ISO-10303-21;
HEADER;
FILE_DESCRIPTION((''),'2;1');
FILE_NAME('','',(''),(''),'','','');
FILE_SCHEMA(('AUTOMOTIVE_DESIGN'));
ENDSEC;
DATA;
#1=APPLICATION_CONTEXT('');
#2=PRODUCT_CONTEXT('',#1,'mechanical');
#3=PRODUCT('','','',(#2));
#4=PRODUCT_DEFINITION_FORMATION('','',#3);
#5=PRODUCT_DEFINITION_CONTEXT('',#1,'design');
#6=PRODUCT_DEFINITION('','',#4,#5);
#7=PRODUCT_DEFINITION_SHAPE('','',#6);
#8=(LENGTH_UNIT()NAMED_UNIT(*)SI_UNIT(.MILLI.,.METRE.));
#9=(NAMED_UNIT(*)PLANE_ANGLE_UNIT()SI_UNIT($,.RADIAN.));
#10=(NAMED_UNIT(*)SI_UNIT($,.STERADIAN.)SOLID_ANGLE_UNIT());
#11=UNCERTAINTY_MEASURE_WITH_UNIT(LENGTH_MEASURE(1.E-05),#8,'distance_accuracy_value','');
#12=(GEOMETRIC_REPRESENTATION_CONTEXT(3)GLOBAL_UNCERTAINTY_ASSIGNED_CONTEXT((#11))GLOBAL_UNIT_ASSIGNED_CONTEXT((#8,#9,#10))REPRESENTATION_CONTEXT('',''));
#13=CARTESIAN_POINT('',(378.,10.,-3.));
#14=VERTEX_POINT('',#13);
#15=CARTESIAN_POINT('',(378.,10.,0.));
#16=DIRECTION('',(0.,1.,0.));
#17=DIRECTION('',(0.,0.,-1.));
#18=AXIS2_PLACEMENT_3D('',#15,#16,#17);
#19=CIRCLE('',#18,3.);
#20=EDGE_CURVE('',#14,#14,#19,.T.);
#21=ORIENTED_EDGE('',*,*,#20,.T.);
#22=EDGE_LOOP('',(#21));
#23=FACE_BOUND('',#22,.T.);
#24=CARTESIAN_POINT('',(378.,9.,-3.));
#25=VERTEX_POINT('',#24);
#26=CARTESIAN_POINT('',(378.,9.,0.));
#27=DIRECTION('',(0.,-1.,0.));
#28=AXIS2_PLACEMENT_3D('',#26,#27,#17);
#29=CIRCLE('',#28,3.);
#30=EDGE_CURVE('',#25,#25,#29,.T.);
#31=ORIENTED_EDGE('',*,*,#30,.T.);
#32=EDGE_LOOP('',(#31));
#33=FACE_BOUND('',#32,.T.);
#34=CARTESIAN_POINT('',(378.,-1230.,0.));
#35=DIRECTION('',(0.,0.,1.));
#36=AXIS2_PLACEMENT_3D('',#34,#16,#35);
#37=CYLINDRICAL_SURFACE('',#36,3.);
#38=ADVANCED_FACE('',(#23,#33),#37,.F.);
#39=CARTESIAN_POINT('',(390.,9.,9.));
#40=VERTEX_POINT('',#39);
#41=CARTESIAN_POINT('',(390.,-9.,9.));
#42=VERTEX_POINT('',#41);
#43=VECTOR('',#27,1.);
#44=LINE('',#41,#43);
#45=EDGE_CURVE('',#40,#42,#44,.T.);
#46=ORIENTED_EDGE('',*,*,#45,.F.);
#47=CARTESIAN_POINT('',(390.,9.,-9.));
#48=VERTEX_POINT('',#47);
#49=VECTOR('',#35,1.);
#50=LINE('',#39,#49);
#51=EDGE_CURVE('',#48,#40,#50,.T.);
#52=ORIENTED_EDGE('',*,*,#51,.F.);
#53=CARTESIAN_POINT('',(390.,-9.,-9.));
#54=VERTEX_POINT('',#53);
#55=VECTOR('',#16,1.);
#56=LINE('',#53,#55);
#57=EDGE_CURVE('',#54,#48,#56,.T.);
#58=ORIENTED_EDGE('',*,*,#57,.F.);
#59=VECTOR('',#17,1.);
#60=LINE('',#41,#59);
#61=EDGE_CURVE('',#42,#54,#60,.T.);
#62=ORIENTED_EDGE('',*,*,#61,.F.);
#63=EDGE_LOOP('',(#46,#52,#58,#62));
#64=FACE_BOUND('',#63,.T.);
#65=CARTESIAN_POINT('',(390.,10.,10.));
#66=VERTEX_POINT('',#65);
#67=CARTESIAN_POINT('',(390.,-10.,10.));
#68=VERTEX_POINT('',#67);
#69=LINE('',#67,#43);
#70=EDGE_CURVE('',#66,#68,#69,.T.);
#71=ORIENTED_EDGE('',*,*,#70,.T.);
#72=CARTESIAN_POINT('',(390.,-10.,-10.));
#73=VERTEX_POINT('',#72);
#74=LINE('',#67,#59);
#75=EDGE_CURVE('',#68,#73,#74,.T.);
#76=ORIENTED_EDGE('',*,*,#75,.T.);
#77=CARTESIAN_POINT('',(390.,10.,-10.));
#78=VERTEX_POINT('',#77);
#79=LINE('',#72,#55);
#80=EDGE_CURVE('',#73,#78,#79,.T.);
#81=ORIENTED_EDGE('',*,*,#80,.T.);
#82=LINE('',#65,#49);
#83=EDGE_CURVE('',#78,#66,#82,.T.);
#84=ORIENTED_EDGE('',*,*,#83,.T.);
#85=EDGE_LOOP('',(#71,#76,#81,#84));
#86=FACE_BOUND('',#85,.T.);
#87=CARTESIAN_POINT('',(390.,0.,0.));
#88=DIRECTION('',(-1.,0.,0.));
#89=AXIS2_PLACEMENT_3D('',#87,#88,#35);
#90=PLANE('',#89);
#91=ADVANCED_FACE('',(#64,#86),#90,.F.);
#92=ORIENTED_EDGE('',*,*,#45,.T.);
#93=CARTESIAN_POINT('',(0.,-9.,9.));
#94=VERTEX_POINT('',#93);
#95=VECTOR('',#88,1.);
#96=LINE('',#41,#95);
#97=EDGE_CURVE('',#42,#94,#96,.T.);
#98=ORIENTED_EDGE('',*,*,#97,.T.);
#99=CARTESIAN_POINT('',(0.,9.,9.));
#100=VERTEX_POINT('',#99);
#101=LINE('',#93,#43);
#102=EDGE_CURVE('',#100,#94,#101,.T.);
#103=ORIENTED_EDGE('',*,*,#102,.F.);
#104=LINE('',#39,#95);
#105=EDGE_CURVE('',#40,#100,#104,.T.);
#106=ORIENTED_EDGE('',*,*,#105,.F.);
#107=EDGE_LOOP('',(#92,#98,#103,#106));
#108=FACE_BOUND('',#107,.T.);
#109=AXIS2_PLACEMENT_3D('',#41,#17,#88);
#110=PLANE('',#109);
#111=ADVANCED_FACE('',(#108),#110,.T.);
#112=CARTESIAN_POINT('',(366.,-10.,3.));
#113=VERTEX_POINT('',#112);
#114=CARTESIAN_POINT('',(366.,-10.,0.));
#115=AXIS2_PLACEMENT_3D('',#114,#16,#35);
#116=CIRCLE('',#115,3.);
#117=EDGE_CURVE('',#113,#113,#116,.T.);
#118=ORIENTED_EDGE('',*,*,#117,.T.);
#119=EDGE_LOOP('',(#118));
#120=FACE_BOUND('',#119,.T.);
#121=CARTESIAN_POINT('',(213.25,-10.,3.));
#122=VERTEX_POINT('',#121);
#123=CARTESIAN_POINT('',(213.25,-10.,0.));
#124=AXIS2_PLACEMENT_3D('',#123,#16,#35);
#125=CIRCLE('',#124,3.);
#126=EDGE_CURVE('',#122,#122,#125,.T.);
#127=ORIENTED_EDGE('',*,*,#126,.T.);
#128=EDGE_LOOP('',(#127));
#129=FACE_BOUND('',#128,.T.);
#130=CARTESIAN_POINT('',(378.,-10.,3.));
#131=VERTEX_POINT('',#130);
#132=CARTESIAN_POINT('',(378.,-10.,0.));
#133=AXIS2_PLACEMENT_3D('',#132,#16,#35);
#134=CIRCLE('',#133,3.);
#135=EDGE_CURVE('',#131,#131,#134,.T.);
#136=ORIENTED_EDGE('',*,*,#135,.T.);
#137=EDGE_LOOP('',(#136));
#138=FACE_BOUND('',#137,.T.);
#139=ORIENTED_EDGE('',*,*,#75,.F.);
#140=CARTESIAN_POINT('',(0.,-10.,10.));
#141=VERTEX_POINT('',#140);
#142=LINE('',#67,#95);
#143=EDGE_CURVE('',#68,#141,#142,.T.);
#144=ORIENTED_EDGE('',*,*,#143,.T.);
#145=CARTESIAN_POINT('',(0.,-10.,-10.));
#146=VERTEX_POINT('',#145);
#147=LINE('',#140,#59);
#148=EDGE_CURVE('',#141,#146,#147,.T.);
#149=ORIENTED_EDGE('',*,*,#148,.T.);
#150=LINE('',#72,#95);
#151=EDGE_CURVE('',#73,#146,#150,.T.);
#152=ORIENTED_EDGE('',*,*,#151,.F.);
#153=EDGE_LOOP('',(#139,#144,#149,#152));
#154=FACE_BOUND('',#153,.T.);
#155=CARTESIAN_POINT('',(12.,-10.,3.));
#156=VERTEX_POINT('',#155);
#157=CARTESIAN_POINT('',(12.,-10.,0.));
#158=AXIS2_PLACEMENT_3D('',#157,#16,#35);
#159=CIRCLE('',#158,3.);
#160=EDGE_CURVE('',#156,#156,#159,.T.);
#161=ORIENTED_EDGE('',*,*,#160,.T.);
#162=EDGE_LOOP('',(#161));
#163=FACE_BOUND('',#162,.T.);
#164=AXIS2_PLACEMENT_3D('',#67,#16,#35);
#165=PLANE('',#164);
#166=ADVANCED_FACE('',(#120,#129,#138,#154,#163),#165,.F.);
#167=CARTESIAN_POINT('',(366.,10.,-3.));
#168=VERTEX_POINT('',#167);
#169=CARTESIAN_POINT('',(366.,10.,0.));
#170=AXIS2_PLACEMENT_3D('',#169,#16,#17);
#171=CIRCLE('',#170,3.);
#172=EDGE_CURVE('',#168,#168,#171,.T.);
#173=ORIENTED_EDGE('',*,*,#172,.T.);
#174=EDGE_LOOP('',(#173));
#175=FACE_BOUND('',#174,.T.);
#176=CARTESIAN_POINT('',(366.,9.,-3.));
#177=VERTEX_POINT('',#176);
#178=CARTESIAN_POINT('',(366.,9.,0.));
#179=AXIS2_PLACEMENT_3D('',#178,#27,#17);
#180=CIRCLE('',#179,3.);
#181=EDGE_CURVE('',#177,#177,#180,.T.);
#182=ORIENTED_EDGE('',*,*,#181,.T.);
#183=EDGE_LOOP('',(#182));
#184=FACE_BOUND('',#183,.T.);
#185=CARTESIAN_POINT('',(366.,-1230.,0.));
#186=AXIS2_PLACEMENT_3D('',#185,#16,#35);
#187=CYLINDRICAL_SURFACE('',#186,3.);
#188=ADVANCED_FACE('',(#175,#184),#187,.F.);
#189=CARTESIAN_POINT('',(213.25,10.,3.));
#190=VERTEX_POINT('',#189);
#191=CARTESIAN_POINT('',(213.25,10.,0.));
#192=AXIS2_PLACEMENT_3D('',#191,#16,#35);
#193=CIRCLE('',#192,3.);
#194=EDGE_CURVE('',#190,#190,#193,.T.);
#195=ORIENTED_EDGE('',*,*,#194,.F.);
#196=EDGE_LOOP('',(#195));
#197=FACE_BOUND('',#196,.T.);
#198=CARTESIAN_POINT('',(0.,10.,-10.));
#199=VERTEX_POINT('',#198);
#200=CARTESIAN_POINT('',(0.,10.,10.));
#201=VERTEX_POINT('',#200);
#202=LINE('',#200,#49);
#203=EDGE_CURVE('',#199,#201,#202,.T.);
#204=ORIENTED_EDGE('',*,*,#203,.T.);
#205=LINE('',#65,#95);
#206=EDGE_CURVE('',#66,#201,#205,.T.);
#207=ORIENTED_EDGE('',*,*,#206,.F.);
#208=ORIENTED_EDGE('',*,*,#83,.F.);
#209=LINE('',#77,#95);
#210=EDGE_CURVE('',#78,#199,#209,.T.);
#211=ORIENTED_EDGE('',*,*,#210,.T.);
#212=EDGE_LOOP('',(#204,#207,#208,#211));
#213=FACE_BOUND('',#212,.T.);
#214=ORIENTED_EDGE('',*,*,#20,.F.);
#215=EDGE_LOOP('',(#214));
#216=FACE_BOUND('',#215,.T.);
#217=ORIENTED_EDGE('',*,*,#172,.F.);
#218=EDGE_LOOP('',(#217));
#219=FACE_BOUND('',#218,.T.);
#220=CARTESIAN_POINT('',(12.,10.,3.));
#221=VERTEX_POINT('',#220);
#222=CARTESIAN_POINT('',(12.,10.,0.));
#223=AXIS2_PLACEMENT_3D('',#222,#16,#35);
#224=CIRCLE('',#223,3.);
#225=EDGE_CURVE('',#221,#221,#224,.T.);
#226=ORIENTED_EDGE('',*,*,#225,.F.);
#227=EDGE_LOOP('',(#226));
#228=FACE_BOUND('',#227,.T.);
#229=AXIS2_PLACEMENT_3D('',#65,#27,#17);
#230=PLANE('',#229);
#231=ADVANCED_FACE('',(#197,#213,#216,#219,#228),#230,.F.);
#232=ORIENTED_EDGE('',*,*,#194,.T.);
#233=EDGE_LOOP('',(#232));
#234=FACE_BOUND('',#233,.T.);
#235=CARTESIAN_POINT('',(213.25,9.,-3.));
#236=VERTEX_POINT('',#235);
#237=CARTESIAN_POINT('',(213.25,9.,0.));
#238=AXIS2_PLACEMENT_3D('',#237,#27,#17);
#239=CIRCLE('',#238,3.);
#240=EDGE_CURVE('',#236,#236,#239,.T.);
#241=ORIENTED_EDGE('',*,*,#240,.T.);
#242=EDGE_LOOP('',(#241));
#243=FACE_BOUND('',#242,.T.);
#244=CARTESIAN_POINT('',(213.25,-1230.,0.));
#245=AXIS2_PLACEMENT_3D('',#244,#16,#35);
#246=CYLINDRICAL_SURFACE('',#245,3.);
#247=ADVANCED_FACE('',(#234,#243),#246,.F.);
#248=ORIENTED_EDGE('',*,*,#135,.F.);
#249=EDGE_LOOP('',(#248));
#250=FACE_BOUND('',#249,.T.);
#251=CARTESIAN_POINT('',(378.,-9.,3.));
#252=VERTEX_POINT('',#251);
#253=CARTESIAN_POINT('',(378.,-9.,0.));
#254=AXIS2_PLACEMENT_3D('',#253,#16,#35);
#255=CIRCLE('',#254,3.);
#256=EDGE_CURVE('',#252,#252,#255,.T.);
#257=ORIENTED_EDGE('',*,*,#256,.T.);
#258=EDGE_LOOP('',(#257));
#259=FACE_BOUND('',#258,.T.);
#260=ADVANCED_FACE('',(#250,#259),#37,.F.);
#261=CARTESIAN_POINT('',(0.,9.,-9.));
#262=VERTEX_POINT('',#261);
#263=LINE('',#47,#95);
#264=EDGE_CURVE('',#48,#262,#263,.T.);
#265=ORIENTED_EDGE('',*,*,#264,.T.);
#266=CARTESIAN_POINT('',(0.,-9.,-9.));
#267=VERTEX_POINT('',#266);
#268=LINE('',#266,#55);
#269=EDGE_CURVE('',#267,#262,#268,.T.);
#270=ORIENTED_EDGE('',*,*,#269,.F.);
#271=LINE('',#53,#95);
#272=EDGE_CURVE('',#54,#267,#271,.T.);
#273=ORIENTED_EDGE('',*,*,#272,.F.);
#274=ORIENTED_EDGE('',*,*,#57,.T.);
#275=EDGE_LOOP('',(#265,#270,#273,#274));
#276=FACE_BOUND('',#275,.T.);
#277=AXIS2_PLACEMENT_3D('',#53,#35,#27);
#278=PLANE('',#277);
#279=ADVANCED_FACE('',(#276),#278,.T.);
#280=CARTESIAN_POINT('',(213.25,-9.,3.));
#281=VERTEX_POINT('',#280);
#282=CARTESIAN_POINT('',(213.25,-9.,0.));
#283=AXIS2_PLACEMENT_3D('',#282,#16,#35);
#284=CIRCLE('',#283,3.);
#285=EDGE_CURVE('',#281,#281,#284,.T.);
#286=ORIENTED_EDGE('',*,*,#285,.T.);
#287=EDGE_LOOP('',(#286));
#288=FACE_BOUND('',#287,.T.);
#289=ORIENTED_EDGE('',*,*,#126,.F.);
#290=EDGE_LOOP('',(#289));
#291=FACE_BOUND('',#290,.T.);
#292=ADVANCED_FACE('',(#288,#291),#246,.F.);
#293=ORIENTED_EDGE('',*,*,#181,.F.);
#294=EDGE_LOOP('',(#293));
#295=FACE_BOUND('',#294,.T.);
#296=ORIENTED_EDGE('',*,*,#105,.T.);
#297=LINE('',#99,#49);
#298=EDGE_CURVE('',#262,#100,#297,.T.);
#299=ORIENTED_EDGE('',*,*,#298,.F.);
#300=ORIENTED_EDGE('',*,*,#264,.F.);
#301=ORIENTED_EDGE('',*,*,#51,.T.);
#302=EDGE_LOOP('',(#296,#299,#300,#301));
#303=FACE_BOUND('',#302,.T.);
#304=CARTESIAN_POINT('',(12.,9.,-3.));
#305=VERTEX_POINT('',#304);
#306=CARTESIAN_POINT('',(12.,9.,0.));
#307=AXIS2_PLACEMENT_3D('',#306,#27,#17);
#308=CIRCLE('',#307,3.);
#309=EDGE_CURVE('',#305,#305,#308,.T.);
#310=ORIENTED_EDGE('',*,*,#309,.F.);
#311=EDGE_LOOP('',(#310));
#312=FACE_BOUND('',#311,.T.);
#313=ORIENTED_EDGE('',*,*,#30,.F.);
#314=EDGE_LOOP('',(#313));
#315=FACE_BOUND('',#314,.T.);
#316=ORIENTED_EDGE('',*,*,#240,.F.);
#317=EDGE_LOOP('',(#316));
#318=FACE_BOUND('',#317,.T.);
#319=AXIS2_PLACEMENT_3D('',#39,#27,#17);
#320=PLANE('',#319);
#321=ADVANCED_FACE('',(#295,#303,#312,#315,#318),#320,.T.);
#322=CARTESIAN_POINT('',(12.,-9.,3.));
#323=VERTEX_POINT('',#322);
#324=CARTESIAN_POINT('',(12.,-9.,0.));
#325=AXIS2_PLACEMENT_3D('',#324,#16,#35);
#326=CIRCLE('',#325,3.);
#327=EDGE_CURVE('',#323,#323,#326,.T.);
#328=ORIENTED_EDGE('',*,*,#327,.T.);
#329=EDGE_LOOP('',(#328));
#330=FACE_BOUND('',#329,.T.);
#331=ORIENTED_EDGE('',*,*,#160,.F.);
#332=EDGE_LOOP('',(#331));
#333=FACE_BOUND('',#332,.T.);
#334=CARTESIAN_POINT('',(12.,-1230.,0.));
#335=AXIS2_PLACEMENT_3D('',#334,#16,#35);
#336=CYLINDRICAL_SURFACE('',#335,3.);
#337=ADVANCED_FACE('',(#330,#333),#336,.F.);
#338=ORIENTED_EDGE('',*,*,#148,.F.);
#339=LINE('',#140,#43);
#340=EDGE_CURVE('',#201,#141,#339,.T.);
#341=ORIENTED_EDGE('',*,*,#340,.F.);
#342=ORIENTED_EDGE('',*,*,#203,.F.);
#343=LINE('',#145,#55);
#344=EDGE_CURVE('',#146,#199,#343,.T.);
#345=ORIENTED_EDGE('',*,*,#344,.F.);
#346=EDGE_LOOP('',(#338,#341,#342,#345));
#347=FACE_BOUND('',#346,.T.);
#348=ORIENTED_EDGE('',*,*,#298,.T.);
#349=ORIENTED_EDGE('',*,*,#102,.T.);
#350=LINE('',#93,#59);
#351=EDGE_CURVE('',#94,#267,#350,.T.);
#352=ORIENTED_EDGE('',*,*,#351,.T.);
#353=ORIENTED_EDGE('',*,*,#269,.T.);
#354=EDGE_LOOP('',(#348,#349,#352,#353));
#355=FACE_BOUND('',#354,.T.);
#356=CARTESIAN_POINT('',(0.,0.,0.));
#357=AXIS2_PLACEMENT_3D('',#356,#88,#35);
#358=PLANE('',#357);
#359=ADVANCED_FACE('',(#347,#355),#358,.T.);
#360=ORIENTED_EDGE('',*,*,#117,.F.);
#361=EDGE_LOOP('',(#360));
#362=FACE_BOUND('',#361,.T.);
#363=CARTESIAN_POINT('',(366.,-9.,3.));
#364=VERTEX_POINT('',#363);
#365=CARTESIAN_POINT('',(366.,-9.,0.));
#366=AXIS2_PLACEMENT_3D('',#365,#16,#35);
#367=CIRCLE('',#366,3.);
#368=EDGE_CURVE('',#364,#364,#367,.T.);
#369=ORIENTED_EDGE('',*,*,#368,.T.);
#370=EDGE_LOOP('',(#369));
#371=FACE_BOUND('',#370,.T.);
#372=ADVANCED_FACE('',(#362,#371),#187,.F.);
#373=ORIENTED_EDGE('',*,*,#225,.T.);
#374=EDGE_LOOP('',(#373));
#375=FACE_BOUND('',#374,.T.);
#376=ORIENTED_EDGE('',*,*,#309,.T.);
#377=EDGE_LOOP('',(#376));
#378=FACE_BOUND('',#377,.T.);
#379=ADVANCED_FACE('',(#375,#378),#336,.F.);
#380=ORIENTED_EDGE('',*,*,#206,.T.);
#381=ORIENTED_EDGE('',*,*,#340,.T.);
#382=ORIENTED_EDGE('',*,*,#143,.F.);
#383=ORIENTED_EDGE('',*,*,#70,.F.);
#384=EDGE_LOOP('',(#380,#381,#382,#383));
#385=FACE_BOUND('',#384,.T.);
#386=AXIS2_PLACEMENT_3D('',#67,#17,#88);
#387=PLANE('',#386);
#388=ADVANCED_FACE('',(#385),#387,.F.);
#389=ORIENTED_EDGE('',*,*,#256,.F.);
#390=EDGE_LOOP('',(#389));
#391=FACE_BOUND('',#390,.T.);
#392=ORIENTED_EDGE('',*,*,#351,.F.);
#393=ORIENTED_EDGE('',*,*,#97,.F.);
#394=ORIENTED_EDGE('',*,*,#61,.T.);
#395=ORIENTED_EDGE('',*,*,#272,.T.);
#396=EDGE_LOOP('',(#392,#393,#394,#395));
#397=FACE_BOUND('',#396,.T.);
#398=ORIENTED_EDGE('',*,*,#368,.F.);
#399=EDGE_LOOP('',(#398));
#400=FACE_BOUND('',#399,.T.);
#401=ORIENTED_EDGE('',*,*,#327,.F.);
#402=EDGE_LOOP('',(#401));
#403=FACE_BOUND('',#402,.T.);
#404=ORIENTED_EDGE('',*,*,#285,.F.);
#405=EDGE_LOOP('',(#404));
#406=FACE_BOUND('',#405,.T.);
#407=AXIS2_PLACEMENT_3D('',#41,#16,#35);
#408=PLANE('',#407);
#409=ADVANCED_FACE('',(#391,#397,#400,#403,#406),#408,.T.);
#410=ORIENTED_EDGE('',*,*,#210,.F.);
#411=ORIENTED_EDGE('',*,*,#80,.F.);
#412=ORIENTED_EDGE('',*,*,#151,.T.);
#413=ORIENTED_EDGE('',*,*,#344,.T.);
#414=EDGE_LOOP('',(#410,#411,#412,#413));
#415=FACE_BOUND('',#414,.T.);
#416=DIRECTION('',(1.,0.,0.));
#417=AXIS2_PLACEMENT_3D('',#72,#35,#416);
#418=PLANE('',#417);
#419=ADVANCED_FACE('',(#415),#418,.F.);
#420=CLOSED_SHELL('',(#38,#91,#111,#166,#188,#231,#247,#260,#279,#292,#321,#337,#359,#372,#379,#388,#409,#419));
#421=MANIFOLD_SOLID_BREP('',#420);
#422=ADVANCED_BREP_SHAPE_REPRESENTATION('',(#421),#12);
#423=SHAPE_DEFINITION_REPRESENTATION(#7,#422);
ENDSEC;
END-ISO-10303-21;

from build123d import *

# Parameters (mm, degrees)
SKETCH2_W           = 20
SKETCH2_H           = 20
SKETCH2_W_2         = 18
SKETCH2_H_2         = 18
BOSS_EXTRUDE1_DEPTH = 390
SKETCH3_R           = 3
CUT_EXTRUDE1_DEPTH  = 1240


with BuildPart() as part:
    # Sketch2 → Boss-Extrude1 (new body)
    with BuildSketch(Plane(origin=(0, 0, 0), x_dir=(0, 0, -1), z_dir=(1, 0, 0))):
        Rectangle(SKETCH2_W, SKETCH2_H)
        Rectangle(SKETCH2_W_2, SKETCH2_H_2, mode=Mode.SUBTRACT)
    extrude(amount=BOSS_EXTRUDE1_DEPTH)

    # Sketch3 → Cut-Extrude1 (cut)
    with BuildSketch(Plane(origin=(0, 10, 0), x_dir=(1, 0, 0), z_dir=(0, 1, 0))):
        with Locations((12, 0)):
            Circle(SKETCH3_R)
        with Locations((213.25, 0)):
            Circle(SKETCH3_R)
        with Locations((378, 0)):
            Circle(SKETCH3_R)
        with Locations((366, 0)):
            Circle(SKETCH3_R)
    extrude(amount=-CUT_EXTRUDE1_DEPTH, mode=Mode.SUBTRACT)


solid = part.part
